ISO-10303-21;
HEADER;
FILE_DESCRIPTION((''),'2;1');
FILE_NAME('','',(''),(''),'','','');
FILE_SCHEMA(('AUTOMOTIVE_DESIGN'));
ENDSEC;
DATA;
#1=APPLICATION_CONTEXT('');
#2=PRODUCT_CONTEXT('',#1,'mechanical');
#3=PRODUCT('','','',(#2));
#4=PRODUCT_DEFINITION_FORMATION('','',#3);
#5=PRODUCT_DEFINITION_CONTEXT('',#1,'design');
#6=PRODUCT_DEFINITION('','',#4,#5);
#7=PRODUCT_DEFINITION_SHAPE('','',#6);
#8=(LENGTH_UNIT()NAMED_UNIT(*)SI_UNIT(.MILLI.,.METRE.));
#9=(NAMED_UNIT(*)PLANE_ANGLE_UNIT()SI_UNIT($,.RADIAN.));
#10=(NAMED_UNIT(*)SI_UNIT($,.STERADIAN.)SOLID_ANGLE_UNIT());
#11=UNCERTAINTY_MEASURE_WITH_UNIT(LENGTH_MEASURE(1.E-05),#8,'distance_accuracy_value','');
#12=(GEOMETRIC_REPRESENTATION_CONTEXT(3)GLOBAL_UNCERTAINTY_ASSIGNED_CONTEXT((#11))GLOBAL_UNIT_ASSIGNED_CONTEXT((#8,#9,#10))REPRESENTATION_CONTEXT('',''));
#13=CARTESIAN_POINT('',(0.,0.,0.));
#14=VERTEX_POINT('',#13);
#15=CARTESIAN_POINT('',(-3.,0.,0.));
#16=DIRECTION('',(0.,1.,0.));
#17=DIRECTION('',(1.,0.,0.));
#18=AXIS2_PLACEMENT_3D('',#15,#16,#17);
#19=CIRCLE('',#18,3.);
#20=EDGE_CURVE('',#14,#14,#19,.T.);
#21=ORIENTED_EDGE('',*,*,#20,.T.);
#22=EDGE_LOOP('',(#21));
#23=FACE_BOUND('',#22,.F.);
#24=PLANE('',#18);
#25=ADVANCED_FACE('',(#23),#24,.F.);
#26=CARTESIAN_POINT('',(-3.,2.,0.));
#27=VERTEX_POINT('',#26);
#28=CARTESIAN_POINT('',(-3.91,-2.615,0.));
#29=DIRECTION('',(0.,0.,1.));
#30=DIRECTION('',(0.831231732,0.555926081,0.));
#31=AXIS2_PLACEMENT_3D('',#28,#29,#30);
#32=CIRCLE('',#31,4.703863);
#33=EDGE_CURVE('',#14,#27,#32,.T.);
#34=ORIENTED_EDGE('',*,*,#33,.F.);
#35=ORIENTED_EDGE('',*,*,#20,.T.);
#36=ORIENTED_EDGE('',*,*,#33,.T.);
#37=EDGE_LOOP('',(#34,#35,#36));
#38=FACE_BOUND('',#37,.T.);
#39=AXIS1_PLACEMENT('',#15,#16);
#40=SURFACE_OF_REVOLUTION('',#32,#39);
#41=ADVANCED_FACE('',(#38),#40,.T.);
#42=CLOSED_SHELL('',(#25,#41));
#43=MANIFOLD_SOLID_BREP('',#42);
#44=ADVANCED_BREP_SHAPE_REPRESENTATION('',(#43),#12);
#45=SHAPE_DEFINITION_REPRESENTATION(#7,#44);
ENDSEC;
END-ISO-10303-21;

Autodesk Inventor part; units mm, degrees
ref_plane "YZ Plane" through (0, 0, 0) normal (1, 0, 0) x (0, 1, 0)
ref_plane "XZ Plane" through (0, 0, 0) normal (0, 1, 0) x (-1, 0, 0)
ref_plane "XY Plane" through (0, 0, 0) normal (0, 0, 1) x (1, 0, 0)
sketch "Sketch1" plane through (0, 0, 0) normal (0, 0, 1) x (1, 0, 0)
  line L0 (0, 0) -> (-3, 0)
  line L1 (-3, 0) -> (-3, 2)
  arc A0 (0, 0) -> (-3, 2) centre (-3.91, -2.615) ccw
  dimension "d0" = 3
  dimension "d1" = 2
revolve "Revolution1" add sketch "Sketch1" angle 360 about axis through (-3, 0, 0) along (0, 1, 0)
properties part number "bolt cover" material "UHMW, Black"
